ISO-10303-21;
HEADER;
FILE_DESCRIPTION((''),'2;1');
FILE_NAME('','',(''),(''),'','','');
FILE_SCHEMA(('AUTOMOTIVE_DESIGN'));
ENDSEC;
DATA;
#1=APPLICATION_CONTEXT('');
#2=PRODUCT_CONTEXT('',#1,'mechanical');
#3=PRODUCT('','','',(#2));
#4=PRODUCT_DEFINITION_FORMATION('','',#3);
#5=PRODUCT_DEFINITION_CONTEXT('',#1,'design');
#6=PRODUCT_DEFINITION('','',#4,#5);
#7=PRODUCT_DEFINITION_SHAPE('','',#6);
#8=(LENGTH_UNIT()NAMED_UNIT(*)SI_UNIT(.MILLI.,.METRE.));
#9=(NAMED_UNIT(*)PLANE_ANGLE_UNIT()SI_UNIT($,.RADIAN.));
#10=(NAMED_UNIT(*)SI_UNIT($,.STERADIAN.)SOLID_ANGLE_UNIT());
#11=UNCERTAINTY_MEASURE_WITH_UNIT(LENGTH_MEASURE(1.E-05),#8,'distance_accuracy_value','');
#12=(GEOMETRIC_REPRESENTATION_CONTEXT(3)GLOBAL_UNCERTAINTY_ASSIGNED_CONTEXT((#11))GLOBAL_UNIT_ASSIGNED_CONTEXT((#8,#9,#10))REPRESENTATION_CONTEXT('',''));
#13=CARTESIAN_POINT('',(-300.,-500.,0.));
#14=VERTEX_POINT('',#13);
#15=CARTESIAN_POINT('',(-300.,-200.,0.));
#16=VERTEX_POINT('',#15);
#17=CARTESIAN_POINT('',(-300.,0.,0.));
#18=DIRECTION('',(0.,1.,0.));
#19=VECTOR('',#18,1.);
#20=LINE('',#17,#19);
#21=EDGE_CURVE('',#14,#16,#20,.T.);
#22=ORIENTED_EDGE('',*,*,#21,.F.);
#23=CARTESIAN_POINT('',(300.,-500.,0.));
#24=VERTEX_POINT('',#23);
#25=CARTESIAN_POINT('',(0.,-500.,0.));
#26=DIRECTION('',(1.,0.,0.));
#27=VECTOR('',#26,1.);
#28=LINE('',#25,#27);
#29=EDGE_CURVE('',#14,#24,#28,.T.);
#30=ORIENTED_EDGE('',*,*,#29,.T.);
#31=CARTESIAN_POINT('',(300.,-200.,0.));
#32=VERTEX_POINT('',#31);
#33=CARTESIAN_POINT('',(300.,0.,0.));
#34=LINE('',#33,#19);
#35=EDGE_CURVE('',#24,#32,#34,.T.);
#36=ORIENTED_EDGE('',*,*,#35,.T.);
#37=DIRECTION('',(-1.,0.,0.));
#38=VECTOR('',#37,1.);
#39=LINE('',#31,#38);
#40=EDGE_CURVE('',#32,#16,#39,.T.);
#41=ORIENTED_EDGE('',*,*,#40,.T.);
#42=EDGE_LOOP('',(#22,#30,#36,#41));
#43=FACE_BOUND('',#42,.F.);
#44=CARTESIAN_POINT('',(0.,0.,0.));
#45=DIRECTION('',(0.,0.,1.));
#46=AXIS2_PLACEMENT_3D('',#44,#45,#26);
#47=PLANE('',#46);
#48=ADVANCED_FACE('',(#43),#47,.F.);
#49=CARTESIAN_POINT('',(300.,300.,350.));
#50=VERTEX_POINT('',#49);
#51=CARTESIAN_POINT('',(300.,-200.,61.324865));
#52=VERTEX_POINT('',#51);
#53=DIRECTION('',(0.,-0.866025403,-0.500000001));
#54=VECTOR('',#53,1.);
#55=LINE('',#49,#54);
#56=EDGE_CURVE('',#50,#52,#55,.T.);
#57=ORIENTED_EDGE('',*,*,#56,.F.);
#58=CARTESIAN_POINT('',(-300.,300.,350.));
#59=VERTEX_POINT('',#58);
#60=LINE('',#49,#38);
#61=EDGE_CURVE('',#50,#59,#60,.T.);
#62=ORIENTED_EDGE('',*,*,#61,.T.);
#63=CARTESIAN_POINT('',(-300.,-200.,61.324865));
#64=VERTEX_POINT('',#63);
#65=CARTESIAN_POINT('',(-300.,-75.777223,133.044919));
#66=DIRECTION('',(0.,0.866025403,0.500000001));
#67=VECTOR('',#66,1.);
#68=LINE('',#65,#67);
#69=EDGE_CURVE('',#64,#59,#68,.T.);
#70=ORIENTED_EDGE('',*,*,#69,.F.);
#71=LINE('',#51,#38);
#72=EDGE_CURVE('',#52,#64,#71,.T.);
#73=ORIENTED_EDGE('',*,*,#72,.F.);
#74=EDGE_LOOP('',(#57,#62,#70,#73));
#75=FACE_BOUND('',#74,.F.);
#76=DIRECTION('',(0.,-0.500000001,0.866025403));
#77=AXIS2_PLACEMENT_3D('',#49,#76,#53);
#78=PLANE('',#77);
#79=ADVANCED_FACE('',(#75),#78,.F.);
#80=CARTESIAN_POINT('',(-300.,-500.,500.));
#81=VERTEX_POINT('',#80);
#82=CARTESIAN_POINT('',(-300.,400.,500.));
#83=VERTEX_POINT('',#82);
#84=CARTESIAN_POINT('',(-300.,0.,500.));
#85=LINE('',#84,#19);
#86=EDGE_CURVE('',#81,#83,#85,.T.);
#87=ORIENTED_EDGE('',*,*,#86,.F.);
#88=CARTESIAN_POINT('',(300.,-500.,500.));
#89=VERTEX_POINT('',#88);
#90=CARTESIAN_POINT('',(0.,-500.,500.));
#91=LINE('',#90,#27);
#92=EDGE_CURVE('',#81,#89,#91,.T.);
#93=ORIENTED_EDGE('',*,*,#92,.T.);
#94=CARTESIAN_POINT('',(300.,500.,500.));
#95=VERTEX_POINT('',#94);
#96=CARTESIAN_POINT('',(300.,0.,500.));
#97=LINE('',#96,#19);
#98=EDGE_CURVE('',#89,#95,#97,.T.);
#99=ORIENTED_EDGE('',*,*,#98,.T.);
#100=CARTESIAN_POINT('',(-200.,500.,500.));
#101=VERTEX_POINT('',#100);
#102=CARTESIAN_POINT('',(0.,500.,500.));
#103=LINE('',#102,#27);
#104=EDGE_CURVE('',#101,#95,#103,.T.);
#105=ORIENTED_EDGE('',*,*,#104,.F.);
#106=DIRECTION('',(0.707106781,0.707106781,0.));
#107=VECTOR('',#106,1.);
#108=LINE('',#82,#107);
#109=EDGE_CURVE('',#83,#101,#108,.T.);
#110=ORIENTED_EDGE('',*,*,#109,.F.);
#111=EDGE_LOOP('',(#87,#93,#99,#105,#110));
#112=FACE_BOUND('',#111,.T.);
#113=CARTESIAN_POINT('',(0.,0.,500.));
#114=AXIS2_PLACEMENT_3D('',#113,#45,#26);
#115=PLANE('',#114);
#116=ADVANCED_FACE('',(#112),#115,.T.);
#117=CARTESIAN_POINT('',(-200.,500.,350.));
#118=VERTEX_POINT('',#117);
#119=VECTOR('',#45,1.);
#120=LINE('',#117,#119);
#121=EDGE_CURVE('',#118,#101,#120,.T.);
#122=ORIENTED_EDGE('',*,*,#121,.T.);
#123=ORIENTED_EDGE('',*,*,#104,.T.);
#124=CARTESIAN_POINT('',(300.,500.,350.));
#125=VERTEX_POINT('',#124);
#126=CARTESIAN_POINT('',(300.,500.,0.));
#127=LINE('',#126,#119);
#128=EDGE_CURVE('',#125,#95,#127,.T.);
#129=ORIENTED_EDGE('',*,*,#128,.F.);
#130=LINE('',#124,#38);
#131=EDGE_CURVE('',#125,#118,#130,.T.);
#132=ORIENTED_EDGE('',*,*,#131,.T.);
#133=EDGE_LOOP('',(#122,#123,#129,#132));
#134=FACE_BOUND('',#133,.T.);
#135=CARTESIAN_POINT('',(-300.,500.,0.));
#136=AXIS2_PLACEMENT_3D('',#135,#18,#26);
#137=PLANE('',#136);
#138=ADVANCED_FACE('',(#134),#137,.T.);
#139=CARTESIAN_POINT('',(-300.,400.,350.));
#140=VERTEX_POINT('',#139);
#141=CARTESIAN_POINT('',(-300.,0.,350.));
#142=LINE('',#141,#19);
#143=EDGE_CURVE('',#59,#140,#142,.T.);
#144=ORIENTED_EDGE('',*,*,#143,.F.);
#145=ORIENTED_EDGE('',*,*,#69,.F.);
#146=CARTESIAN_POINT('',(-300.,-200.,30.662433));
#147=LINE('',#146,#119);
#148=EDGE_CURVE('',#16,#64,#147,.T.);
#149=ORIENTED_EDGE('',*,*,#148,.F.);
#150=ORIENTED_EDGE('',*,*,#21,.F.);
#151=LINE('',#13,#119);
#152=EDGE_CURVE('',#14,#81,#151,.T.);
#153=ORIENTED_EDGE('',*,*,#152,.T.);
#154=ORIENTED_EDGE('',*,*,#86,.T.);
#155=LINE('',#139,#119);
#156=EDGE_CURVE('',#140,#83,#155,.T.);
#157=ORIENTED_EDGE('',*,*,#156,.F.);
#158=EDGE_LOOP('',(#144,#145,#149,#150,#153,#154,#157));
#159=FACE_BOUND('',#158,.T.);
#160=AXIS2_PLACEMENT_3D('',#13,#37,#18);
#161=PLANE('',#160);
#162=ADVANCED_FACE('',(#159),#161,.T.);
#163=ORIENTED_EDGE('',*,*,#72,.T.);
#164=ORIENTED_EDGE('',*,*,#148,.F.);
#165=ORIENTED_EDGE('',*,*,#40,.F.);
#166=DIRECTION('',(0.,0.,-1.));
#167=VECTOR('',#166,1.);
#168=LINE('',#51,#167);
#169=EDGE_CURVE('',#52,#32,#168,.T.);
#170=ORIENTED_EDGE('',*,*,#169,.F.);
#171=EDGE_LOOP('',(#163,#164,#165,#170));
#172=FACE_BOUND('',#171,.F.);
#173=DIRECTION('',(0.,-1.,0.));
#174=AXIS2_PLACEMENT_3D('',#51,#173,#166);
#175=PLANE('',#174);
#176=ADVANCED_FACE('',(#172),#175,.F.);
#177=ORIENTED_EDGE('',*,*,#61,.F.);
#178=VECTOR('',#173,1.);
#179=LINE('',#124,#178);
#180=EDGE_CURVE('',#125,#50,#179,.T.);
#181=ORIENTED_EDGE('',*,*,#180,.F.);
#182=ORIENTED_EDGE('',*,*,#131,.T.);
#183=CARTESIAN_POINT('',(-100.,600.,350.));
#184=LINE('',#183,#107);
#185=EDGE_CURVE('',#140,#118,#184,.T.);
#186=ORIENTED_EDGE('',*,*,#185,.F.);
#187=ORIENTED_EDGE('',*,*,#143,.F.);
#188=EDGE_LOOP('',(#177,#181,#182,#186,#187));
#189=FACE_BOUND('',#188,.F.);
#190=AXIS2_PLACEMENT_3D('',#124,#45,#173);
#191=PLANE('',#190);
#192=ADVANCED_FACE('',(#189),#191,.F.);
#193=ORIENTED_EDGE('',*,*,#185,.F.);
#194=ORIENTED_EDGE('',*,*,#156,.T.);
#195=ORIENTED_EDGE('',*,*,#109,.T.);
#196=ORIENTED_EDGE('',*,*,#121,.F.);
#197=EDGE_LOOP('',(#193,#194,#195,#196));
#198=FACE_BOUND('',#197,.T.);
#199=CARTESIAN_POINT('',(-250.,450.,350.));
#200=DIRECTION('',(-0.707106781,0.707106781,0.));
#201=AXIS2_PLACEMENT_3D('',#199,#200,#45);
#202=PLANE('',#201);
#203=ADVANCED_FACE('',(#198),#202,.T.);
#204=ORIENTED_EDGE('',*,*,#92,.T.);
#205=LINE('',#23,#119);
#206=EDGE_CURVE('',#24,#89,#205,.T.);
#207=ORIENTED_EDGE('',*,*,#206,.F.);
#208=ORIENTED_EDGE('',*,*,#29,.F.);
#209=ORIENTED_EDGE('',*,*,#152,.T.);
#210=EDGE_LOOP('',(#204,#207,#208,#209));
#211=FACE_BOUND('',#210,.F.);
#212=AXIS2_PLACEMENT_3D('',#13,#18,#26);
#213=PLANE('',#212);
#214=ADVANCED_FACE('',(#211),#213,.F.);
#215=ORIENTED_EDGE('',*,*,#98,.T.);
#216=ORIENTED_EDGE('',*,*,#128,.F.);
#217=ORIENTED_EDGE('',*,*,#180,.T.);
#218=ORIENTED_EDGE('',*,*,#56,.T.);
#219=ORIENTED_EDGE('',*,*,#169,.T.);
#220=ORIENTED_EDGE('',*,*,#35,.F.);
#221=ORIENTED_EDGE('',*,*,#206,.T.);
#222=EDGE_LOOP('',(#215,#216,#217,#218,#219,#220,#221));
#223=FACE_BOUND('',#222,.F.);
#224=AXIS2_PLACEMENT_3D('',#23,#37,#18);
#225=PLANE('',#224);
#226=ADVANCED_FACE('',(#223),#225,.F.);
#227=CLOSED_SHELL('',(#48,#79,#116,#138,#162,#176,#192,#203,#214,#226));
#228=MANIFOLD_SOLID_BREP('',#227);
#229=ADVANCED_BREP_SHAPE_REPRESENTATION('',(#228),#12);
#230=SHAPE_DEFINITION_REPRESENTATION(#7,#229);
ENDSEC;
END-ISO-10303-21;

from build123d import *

# Parameters (mm, degrees)
F0_W     = 600
F0_H     = 1000
F1_DEPTH = 500
F3_DEPTH = 600.001
F4_SIZE  = 100


with BuildPart() as f1:
    # F0 (on Top) → F1 (new body)
    with BuildSketch(Plane.XY):
        Rectangle(F0_W, F0_H)
    extrude(amount=F1_DEPTH)

    # F2 (on face) → F3 (cut, through all)
    with BuildSketch(Plane.YZ.offset(300)):
        Polygon((-200, 61.324865), (-200, 0), (500, 0), (500, 350), (300, 350), align=None)
    extrude(amount=-F3_DEPTH, mode=Mode.SUBTRACT)

    # F4
    f4_edges = [f1.edges().sort_by_distance(p)[0] for p in [
        (-300, 500, 425),
    ]]
    chamfer(f4_edges, length=F4_SIZE)


solid = f1.part
